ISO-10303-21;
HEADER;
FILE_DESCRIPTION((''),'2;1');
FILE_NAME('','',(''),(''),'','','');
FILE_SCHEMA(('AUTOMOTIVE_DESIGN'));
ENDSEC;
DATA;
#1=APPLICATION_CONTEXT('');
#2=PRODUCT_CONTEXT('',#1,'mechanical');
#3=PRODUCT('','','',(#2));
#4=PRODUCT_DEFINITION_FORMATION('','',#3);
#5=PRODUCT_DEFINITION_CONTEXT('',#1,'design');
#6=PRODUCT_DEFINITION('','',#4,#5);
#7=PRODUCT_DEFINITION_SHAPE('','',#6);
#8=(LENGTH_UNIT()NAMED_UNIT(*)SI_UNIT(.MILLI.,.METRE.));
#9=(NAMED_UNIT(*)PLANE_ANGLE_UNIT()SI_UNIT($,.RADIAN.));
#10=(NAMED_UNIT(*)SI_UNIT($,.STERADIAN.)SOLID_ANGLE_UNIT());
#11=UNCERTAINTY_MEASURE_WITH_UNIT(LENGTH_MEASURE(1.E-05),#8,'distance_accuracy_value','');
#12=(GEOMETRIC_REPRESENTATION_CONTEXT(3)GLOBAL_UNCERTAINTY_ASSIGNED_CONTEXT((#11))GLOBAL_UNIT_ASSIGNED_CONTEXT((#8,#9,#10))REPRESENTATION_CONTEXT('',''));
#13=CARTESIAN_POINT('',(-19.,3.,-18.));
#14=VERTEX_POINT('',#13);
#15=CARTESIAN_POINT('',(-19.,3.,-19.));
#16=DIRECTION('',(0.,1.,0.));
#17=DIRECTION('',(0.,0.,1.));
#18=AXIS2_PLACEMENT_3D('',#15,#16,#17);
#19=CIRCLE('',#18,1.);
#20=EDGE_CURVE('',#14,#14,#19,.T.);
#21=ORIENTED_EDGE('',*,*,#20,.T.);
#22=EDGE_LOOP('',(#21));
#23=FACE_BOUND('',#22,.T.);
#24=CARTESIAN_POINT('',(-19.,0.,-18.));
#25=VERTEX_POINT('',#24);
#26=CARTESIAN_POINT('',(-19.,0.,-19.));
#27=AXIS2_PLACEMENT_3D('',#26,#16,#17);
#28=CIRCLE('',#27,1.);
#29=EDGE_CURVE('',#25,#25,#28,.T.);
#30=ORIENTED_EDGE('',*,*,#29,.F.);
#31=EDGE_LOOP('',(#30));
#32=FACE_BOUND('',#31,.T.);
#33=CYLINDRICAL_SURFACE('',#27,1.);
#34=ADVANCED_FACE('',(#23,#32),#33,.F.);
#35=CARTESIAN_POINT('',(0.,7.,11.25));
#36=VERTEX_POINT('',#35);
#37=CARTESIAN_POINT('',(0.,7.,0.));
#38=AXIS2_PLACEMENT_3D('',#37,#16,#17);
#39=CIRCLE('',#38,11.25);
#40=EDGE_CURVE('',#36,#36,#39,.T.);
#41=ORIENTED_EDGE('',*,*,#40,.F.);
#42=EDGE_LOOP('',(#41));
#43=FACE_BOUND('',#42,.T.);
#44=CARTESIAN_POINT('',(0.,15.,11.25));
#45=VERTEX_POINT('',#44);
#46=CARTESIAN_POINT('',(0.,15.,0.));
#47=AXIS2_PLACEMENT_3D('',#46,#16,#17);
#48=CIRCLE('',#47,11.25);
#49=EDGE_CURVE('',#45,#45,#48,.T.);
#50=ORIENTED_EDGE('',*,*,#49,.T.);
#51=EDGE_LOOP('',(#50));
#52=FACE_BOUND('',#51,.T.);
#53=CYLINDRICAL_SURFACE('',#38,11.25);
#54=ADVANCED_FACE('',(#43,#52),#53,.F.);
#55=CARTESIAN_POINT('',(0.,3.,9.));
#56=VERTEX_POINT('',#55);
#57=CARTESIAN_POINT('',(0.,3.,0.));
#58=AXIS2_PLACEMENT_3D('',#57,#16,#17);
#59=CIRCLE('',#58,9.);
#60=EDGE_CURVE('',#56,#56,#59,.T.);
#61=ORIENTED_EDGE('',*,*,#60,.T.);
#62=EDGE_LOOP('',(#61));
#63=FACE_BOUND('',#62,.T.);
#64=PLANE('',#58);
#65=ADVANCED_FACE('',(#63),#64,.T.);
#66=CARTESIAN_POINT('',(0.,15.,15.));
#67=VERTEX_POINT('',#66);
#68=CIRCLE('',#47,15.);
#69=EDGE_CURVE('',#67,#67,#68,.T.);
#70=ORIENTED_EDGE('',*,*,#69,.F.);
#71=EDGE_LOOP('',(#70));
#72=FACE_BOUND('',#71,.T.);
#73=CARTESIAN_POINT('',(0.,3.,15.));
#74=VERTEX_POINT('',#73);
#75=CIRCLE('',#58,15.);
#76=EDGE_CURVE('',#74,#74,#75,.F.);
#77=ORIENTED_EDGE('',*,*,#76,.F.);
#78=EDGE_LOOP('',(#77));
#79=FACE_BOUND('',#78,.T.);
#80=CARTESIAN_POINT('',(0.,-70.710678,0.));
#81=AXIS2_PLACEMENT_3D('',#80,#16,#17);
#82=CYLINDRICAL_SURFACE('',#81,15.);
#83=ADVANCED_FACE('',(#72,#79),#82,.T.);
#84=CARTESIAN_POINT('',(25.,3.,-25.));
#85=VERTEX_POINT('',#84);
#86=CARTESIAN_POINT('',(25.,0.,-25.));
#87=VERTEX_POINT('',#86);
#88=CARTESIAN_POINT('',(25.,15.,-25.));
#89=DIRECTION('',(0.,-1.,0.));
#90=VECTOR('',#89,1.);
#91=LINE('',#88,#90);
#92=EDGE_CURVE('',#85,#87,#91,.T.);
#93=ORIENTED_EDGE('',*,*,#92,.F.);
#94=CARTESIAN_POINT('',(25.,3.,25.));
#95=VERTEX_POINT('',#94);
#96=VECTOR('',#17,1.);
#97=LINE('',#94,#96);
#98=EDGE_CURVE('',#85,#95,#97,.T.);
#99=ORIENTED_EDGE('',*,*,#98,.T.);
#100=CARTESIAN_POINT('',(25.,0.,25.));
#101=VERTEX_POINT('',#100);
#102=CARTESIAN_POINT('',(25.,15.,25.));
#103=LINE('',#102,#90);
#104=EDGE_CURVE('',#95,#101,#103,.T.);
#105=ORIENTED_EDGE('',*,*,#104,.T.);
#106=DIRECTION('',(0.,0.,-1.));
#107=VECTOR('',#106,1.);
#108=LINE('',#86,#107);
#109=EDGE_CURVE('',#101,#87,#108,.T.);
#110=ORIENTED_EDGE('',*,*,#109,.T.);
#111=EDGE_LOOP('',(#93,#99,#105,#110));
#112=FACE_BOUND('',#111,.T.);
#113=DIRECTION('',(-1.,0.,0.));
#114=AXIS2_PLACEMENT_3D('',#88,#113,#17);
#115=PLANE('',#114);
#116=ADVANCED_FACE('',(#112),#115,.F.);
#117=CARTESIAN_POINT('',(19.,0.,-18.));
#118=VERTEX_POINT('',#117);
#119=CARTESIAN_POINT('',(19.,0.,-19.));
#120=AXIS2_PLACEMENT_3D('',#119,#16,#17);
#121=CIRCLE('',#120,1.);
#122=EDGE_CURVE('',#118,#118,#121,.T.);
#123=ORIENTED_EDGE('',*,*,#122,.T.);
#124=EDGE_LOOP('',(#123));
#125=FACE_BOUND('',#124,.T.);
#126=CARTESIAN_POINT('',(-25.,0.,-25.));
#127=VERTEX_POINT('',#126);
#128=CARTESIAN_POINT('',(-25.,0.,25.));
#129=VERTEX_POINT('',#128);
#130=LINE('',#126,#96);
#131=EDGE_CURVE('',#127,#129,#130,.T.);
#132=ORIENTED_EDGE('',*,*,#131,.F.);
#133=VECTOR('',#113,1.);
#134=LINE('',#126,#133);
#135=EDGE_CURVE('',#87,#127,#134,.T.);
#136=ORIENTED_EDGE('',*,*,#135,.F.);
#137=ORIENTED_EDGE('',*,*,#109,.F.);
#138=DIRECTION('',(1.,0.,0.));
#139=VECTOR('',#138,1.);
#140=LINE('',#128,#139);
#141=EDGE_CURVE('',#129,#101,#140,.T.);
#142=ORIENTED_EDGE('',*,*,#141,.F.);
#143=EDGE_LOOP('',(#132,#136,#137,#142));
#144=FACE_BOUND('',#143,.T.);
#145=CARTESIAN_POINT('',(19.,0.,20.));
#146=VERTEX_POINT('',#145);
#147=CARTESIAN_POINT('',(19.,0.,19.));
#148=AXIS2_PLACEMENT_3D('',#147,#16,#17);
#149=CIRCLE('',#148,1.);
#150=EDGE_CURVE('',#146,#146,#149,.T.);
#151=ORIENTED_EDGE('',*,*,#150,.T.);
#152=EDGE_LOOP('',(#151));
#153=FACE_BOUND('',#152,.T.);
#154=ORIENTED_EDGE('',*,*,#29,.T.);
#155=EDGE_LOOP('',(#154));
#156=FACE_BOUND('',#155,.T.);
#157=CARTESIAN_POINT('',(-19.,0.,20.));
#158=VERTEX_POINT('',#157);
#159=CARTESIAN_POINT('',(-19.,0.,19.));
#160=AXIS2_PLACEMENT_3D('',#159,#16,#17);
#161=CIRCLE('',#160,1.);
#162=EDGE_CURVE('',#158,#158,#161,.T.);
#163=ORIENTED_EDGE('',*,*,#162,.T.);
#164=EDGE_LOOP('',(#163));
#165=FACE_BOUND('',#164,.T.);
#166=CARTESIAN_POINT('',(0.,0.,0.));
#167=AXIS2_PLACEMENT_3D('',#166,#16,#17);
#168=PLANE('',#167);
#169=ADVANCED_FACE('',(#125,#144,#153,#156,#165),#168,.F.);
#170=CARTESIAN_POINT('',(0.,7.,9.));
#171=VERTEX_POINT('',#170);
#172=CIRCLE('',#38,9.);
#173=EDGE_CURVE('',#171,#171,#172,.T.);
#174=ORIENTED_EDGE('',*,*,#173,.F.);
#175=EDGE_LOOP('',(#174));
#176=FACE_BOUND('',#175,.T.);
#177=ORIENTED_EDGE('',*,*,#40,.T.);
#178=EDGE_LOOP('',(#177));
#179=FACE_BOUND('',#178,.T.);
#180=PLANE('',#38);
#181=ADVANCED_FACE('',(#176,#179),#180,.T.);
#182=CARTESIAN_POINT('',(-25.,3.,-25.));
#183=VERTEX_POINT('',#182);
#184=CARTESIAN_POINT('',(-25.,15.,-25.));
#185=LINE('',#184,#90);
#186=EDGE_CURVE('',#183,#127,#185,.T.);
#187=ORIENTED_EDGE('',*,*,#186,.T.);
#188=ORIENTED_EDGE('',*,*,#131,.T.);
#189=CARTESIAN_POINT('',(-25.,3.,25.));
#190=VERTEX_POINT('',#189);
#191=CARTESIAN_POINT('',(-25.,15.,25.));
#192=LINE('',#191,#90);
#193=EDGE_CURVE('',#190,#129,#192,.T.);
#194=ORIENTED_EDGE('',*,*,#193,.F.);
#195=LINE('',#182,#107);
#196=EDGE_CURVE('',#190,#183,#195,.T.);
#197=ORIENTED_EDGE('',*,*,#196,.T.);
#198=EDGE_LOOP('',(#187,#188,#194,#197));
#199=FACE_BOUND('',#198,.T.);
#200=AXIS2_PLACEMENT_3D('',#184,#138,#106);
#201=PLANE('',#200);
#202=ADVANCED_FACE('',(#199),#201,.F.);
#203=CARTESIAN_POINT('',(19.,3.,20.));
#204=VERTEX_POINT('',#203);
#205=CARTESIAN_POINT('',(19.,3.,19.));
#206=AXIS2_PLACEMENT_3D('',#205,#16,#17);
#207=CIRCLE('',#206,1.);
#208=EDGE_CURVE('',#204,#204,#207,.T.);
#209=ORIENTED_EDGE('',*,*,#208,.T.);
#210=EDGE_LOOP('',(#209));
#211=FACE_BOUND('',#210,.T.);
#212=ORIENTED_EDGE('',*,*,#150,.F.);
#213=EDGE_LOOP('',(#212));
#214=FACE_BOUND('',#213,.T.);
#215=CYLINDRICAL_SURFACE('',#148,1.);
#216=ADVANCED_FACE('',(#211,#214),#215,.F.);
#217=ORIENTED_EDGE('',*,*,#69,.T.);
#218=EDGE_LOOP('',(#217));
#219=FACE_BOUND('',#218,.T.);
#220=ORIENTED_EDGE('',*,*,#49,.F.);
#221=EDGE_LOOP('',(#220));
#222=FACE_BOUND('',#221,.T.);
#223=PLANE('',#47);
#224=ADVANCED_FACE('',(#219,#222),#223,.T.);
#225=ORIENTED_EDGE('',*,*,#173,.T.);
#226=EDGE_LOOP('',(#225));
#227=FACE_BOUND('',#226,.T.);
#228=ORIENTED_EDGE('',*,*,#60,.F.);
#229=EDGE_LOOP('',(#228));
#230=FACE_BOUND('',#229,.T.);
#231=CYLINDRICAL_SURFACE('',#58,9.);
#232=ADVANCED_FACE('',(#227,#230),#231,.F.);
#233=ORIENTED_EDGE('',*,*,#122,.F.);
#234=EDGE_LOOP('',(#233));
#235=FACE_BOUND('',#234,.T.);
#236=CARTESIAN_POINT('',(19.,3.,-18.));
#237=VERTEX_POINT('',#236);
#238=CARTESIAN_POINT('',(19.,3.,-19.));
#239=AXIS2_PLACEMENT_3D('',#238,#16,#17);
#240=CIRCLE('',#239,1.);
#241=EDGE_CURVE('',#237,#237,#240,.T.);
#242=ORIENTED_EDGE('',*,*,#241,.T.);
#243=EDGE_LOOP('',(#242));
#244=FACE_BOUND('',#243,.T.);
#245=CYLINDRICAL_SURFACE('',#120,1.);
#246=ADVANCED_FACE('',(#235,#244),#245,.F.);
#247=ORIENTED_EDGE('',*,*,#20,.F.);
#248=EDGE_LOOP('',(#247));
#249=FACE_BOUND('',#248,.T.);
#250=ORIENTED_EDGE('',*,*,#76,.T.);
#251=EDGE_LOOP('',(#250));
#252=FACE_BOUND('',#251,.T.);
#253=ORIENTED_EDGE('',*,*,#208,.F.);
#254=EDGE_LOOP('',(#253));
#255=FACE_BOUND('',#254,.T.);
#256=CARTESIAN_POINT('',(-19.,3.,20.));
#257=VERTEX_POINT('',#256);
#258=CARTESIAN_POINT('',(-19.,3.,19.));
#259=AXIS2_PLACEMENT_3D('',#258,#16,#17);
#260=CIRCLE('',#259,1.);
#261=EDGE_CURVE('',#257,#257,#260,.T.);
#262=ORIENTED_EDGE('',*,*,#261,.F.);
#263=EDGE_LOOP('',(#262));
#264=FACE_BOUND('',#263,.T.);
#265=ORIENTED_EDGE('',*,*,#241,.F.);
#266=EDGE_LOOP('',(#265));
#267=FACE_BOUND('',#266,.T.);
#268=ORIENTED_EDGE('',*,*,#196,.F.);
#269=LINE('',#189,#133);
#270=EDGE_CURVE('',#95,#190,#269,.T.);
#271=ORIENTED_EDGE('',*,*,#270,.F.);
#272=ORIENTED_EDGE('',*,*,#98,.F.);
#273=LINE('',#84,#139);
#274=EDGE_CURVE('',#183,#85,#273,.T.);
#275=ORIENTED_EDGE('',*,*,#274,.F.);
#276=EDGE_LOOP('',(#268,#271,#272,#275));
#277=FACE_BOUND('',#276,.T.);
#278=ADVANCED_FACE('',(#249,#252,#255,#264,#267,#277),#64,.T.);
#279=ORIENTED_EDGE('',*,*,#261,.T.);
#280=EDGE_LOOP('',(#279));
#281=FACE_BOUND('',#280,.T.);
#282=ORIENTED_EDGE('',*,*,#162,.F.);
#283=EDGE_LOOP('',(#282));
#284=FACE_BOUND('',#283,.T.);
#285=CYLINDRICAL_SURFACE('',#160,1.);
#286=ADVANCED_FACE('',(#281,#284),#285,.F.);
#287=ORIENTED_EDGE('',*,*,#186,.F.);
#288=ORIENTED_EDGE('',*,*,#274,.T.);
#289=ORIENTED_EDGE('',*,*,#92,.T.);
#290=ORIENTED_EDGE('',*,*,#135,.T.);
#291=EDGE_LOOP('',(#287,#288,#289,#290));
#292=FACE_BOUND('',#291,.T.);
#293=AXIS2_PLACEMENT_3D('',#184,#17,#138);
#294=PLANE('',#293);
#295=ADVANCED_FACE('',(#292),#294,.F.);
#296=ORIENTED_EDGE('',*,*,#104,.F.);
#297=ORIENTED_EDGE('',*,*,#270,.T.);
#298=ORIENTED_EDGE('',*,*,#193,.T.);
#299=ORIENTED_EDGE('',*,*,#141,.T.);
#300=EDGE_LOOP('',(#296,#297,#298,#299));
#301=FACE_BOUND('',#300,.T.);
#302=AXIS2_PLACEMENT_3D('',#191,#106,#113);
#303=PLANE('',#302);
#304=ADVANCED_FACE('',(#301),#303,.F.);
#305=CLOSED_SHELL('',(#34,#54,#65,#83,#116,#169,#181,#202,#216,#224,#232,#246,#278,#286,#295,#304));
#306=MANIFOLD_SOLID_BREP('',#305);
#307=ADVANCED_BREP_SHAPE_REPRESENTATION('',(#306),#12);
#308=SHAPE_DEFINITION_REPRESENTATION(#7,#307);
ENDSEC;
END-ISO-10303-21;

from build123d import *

# Parameters (mm, degrees)
SKETCH2_W               = 50
SKETCH2_H               = 50
BOSS_EXTRUDE1_DEPTH     = 15
SKETCH3_R               = 11.25
CUT_EXTRUDE1_DEPTH      = 8
SKETCH4_R               = 9
CUT_EXTRUDE2_DEPTH      = 4
SKETCH5_W               = 50
SKETCH5_H               = 50
SKETCH5_R               = 15
CUT_EXTRUDE3_DEPTH      = 12
CUT_EXTRUDE4_DEPTH      = 38.336309405
CUT_EXTRUDE4_DEPTH_BACK = 38.336309405
SKETCH6_R               = 1


with BuildPart() as part:
    # Sketch2 → Boss-Extrude1 (new body)
    with BuildSketch(Plane(origin=(0, 0, 0), x_dir=(1, 0, 0), z_dir=(0, 1, 0))):
        Rectangle(SKETCH2_W, SKETCH2_H)
    extrude(amount=BOSS_EXTRUDE1_DEPTH)

    # Sketch3 → Cut-Extrude1 (cut)
    with BuildSketch(Plane(origin=(0, 15, 0), x_dir=(1, 0, 0), z_dir=(0, 1, 0))):
        with Locations(Location((0, 0, 0), (0, 0, 270))):
            Circle(SKETCH3_R)
    extrude(amount=-CUT_EXTRUDE1_DEPTH, mode=Mode.SUBTRACT)

    # Sketch4 → Cut-Extrude2 (cut)
    with BuildSketch(Plane(origin=(0, 7, 0), x_dir=(1, 0, 0), z_dir=(0, 1, 0))):
        with Locations(Location((0, 0, 0), (0, 0, 270))):
            Circle(SKETCH4_R)
    extrude(amount=-CUT_EXTRUDE2_DEPTH, mode=Mode.SUBTRACT)

    # Sketch5 → Cut-Extrude3 (cut)
    with BuildSketch(Plane(origin=(0, 15, 0), x_dir=(1, 0, 0), z_dir=(0, 1, 0))):
        Rectangle(SKETCH5_W, SKETCH5_H)
        with Locations(Location((0, 0, 0), (0, 0, 270))):
            Circle(SKETCH5_R, mode=Mode.SUBTRACT)
    extrude(amount=-CUT_EXTRUDE3_DEPTH, mode=Mode.SUBTRACT)

    # Sketch6 → Cut-Extrude4 (cut, two sides: drawn at the far end of the back side and taken through both)
    with BuildSketch(Plane(origin=(0, 3, 0), x_dir=(1, 0, 0), z_dir=(0, 1, 0)).offset(-CUT_EXTRUDE4_DEPTH_BACK)):
        with Locations(Location((-19, 19, 0), (0, 0, 270))):
            Circle(SKETCH6_R)
        with Locations(Location((19, 19, 0), (0, 0, 270))):
            Circle(SKETCH6_R)
        with Locations(Location((19, -19, 0), (0, 0, 270))):
            Circle(SKETCH6_R)
        with Locations(Location((-19, -19, 0), (0, 0, 270))):
            Circle(SKETCH6_R)
    extrude(amount=CUT_EXTRUDE4_DEPTH + CUT_EXTRUDE4_DEPTH_BACK, mode=Mode.SUBTRACT)


solid = part.part
